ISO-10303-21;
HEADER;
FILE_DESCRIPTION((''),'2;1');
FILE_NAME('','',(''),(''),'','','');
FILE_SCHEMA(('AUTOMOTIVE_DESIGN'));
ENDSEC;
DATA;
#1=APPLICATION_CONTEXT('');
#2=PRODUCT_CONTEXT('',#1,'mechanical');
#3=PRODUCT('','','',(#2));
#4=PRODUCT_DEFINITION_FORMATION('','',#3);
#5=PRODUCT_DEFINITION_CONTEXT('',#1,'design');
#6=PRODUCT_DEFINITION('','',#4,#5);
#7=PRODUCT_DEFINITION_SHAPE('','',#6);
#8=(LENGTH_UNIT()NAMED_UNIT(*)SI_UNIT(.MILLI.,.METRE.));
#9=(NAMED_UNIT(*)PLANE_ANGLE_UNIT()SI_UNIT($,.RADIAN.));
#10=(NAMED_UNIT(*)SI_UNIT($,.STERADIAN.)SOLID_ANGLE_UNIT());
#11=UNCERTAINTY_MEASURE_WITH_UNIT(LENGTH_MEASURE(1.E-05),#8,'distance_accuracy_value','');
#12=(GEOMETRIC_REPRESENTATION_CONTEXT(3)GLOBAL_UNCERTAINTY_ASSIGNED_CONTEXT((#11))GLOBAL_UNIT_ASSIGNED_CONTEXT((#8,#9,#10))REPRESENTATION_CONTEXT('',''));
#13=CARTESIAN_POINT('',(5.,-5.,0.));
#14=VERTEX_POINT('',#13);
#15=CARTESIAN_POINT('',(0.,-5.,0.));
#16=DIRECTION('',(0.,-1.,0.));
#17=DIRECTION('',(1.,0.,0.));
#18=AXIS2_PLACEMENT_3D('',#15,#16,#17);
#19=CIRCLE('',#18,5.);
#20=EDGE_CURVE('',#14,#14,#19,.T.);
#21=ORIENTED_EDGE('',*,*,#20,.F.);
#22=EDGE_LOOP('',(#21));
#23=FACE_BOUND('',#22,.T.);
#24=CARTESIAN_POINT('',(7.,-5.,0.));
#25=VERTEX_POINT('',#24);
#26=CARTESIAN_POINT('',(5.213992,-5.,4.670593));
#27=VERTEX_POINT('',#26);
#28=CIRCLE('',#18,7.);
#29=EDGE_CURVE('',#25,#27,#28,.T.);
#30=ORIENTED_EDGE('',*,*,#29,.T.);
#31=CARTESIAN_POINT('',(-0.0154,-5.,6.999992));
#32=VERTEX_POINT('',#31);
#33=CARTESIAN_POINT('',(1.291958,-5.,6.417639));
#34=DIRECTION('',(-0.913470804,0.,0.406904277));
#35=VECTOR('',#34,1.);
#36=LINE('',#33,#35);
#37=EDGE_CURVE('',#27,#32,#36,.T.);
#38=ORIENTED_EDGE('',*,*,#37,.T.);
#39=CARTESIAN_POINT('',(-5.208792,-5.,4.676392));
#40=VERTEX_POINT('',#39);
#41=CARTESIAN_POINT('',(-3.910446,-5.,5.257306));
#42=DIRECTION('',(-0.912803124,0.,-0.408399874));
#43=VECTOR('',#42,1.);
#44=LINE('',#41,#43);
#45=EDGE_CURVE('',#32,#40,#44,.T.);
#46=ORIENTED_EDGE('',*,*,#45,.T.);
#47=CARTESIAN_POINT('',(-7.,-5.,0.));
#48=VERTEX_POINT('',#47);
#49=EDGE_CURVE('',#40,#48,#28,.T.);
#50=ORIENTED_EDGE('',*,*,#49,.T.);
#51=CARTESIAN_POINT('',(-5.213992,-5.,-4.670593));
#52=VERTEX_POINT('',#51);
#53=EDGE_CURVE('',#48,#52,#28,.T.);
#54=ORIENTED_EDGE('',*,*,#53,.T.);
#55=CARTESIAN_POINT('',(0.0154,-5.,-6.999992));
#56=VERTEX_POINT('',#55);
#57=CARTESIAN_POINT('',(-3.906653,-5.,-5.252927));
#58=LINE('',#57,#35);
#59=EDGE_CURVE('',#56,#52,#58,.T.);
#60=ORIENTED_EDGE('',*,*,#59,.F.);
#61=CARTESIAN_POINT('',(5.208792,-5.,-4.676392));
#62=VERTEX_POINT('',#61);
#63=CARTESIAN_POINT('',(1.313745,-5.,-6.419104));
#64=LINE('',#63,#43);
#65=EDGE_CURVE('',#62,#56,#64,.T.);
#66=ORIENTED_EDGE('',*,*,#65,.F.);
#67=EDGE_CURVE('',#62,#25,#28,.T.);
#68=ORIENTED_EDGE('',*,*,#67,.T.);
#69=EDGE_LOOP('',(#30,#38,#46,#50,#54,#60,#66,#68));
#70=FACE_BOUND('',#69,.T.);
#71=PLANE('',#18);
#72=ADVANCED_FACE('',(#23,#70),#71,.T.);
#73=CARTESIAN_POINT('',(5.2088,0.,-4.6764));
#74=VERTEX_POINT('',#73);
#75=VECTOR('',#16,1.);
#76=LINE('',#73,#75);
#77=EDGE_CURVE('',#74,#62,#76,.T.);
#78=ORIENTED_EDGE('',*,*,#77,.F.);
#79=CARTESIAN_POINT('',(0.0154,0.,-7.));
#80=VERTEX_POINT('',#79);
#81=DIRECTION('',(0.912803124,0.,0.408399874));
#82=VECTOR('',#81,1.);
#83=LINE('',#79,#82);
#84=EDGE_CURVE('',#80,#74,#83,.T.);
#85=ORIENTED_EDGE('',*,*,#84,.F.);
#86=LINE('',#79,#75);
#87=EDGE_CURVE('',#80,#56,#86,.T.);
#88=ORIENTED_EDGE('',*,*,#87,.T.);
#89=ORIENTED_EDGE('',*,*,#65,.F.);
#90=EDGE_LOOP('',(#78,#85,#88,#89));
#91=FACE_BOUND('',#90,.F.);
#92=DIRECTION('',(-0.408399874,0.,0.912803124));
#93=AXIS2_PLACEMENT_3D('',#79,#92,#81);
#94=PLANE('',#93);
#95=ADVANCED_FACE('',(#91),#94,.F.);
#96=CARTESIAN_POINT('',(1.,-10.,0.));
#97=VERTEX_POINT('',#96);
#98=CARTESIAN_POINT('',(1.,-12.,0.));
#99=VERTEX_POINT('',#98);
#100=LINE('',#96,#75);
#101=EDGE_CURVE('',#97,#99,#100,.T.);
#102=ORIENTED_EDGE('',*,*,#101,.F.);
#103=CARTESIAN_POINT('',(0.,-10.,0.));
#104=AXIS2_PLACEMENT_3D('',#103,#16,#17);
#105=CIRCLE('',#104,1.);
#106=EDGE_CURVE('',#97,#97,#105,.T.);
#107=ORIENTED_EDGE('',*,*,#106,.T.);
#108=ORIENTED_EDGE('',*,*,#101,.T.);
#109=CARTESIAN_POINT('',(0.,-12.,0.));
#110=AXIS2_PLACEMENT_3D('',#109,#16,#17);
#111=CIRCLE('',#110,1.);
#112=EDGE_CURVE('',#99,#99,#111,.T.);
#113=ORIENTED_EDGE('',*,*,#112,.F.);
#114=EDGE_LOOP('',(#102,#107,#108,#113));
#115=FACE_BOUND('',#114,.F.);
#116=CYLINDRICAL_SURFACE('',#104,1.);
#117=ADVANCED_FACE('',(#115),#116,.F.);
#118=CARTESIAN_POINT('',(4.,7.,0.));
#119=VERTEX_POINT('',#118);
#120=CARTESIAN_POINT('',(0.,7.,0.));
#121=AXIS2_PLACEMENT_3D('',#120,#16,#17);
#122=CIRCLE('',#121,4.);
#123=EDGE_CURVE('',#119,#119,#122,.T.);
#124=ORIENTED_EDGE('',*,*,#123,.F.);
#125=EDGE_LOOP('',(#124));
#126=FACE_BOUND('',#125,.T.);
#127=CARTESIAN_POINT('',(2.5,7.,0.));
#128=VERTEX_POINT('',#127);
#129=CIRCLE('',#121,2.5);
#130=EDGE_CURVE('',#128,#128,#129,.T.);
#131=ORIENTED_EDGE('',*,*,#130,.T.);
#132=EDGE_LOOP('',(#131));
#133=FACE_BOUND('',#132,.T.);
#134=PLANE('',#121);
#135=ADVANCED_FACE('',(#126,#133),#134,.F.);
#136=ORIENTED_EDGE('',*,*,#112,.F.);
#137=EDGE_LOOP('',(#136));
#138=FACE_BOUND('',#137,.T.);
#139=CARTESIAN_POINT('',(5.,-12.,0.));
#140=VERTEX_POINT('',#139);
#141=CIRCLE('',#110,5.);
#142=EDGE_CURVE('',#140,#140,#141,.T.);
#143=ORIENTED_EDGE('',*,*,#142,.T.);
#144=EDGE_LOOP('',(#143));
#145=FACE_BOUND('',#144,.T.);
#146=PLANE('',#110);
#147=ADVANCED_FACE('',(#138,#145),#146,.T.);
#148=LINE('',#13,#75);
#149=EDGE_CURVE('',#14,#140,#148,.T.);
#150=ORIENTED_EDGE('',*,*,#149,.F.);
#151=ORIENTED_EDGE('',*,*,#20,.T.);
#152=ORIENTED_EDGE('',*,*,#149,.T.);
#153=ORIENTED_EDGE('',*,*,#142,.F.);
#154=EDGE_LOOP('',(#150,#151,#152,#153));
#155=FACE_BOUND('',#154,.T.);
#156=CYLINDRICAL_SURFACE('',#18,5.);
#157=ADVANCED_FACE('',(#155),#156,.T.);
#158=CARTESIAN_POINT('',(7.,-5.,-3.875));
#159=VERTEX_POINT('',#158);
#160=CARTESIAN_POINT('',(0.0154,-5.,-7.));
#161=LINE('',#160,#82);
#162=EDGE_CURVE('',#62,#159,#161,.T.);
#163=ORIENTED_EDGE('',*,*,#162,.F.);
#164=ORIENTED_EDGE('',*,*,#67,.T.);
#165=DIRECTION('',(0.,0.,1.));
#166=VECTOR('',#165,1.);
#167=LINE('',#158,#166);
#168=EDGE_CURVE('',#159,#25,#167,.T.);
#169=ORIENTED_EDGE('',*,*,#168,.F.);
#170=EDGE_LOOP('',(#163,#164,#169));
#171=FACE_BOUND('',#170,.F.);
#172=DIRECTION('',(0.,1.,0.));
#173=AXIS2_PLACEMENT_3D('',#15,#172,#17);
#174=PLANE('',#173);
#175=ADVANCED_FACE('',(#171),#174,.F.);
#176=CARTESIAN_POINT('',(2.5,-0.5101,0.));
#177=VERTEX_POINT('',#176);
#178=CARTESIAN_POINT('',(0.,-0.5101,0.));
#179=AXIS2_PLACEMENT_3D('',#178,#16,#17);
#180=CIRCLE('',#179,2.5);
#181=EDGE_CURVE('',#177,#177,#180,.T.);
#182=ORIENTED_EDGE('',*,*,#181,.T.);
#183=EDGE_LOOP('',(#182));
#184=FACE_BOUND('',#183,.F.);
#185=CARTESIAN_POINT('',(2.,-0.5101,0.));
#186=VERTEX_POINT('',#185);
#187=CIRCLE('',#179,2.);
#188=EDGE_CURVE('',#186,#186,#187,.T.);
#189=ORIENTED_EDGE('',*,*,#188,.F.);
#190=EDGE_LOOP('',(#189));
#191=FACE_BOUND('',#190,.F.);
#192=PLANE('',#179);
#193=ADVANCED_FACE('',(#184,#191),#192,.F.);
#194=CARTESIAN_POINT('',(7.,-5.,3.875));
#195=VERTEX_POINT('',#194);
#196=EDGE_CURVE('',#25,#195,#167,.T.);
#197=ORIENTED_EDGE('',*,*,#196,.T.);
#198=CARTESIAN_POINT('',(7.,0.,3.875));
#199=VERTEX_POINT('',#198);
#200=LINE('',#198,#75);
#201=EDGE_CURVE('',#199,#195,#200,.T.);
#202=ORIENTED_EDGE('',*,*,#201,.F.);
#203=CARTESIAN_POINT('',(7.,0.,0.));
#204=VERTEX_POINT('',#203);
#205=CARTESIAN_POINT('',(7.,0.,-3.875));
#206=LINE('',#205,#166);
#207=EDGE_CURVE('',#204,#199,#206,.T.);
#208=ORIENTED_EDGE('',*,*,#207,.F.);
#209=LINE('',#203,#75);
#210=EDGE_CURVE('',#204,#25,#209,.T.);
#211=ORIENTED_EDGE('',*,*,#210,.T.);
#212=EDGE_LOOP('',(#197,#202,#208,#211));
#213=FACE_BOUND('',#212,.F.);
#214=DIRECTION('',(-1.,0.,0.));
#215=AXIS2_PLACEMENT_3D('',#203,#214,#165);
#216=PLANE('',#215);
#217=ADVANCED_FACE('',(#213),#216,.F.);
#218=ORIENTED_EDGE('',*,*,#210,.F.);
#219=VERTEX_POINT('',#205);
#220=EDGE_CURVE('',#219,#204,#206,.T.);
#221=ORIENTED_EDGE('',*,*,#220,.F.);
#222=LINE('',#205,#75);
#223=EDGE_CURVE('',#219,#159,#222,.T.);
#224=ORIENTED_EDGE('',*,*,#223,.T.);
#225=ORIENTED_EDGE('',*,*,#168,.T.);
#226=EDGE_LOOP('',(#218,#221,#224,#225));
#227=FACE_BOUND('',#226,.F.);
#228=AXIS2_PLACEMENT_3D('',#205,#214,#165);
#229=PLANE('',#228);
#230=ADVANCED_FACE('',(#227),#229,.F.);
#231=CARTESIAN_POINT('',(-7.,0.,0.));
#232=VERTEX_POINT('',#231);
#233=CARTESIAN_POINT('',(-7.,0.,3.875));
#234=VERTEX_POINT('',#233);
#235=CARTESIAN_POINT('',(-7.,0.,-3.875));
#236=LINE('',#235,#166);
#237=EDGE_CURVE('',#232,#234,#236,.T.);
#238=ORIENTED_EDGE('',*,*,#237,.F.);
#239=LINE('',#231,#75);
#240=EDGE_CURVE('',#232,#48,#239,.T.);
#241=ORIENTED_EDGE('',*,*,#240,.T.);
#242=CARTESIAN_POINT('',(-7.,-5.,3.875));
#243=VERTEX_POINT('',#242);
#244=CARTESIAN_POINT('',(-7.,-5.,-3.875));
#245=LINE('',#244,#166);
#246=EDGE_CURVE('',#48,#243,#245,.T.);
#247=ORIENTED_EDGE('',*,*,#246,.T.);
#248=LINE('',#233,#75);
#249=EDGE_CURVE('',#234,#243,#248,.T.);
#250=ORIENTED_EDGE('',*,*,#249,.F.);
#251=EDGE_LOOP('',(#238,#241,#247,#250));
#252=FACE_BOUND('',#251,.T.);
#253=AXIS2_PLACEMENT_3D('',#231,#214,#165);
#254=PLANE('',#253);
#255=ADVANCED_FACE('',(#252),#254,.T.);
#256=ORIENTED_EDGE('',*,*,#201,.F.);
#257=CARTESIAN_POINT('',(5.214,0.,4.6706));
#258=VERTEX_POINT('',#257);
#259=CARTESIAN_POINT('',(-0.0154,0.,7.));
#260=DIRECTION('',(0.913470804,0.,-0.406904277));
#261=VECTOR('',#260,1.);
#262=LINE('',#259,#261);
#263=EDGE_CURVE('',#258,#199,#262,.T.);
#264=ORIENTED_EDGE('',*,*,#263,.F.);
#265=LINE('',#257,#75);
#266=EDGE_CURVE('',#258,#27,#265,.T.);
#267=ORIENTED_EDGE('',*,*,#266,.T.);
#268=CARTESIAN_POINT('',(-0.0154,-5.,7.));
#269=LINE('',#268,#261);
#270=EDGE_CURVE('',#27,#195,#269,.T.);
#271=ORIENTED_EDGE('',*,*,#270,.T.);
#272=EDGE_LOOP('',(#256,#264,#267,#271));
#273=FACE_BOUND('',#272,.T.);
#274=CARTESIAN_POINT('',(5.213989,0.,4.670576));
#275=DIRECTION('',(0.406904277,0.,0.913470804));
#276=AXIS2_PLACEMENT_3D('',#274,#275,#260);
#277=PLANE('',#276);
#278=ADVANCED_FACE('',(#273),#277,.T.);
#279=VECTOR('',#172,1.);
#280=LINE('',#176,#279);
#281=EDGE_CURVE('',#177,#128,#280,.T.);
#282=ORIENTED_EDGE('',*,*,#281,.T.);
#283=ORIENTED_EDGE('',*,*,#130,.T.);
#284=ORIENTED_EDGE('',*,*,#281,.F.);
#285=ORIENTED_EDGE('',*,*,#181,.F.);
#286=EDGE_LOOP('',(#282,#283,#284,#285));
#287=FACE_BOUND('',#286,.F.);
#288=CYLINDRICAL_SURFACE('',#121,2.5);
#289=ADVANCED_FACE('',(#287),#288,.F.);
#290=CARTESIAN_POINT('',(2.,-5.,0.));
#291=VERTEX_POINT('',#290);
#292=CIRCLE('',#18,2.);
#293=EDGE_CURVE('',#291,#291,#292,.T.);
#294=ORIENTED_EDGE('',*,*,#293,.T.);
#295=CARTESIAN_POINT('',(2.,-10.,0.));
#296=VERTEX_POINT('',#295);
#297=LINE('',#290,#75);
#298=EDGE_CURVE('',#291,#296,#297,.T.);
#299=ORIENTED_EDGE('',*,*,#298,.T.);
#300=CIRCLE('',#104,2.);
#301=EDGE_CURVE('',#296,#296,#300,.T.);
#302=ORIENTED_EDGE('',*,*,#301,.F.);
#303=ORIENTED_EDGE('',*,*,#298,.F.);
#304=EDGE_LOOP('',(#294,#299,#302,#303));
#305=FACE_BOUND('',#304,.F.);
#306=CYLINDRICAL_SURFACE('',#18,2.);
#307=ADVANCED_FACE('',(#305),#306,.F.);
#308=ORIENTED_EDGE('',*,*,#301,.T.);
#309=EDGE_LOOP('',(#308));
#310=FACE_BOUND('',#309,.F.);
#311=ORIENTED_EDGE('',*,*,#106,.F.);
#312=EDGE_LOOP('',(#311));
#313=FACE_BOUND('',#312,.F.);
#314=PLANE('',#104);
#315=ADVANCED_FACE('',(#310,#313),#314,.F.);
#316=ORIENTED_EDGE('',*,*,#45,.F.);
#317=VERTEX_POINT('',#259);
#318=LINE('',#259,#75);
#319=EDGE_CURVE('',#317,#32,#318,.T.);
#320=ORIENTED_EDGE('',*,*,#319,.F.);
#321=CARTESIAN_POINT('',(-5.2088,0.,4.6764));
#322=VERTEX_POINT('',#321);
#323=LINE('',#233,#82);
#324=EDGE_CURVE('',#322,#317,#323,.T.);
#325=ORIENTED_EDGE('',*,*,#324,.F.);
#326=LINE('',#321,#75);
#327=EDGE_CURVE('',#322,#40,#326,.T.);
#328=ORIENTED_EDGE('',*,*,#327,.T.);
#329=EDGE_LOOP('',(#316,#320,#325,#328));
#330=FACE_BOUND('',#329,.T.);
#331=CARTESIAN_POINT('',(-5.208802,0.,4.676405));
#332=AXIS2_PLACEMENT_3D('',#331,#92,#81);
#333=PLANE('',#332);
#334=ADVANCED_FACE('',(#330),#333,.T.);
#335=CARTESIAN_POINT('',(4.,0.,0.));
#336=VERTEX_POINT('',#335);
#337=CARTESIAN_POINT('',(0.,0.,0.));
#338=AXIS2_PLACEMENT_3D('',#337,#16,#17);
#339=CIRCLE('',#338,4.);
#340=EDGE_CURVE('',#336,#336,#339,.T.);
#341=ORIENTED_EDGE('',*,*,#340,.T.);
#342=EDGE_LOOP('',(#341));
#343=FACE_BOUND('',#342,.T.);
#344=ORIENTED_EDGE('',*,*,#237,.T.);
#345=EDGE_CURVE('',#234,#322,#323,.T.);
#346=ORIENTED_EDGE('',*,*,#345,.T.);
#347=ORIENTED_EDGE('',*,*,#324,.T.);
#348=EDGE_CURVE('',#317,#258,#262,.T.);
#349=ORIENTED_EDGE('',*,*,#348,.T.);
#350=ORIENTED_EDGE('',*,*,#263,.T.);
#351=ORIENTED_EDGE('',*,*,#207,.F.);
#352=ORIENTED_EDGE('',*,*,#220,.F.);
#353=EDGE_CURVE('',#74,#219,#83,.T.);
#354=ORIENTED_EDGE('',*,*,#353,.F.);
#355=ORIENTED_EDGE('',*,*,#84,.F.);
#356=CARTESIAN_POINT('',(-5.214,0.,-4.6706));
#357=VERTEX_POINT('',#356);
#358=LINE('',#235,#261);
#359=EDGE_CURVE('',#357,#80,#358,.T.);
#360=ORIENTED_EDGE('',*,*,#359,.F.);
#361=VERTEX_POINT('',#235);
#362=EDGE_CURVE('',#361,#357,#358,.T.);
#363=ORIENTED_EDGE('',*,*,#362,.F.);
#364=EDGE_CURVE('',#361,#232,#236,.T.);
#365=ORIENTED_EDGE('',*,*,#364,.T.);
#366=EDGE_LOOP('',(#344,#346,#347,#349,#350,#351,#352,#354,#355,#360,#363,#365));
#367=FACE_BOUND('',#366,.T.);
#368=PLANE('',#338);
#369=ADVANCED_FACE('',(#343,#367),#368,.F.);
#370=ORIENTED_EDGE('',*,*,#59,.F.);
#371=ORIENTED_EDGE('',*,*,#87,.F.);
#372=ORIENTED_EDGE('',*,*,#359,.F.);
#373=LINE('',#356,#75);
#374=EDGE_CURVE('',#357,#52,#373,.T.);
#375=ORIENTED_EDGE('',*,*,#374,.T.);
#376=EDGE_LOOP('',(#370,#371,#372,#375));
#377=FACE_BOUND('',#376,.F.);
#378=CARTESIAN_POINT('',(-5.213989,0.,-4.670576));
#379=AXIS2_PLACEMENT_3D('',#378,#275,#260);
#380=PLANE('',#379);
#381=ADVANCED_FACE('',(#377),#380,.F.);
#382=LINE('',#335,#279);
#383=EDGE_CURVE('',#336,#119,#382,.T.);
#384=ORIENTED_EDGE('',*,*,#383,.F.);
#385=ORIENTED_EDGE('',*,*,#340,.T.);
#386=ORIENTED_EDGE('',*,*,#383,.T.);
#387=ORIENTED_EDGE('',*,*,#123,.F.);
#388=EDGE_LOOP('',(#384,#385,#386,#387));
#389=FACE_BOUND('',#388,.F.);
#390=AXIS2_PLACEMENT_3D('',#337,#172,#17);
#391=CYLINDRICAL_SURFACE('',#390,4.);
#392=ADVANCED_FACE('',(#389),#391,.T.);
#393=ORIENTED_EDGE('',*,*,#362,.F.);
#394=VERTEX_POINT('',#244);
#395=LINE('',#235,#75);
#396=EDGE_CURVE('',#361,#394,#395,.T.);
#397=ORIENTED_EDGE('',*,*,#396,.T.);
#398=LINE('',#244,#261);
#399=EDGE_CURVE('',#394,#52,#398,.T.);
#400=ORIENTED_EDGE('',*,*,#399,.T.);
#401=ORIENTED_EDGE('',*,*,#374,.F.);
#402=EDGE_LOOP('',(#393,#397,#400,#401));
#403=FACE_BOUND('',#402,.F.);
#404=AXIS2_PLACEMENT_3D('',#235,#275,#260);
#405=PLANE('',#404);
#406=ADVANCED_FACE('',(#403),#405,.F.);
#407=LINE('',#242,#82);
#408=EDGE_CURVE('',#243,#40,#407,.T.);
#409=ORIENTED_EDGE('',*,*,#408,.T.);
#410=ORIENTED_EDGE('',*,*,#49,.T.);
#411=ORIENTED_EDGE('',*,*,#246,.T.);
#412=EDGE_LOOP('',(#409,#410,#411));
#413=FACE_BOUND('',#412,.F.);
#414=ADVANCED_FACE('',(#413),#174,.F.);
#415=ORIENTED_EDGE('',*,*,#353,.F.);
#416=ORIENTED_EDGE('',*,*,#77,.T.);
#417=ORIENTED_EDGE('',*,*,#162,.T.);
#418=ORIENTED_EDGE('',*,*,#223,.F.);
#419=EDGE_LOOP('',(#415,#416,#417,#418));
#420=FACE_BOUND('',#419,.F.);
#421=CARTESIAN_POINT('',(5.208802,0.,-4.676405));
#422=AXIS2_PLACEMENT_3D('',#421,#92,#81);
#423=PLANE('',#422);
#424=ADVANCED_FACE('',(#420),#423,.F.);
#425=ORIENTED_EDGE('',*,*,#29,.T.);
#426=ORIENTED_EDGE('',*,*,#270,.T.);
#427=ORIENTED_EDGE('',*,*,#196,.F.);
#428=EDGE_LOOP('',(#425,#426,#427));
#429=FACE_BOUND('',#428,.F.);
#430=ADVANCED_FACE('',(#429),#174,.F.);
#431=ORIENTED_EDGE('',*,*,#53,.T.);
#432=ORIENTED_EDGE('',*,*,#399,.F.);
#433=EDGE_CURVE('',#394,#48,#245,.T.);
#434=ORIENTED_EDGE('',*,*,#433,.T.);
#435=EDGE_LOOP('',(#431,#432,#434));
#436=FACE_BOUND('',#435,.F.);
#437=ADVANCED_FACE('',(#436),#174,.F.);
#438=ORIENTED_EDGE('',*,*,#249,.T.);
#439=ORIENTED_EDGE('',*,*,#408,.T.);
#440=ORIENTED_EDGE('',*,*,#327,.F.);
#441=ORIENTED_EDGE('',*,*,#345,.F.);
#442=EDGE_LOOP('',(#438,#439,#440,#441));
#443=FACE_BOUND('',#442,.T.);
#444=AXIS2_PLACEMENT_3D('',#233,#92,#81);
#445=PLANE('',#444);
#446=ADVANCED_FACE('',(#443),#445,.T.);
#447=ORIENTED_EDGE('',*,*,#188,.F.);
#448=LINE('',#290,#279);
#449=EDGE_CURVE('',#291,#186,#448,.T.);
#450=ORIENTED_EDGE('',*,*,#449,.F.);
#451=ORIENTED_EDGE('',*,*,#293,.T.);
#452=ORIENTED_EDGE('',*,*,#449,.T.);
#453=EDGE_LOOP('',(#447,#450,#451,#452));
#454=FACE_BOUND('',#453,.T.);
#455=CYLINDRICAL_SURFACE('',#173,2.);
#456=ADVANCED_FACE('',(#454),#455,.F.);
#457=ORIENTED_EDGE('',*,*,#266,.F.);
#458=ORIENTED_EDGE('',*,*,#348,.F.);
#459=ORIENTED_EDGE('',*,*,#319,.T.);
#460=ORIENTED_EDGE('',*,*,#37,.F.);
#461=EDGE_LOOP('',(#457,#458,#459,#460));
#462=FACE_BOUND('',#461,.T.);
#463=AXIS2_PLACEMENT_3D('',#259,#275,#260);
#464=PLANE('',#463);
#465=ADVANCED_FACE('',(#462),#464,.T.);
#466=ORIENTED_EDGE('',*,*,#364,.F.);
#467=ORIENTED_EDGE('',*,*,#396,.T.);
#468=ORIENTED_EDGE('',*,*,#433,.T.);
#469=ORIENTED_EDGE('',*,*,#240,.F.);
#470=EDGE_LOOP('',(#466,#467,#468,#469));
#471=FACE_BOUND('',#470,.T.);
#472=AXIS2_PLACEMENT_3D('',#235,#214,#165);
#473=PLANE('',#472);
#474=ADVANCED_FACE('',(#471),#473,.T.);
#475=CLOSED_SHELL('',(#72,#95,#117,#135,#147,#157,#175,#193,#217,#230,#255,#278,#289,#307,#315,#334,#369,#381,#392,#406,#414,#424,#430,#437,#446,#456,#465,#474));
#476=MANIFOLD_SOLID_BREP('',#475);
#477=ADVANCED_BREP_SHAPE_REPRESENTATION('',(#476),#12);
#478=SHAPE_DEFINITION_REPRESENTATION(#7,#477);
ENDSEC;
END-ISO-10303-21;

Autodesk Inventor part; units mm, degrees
ref_plane "YZ Plane" through (0, 0, 0) normal (1, 0, 0) x (0, 1, 0)
ref_plane "XZ Plane" through (0, 0, 0) normal (0, 1, 0) x (-1, 0, 0)
ref_plane "XY Plane" through (0, 0, 0) normal (0, 0, 1) x (1, 0, 0)
sketch "Boceto1" plane through (0, 0, 0) normal (0, 0, 1) x (1, 0, 0)
  line L0 (0, 9.3809) -> (0, -9.3809)
  line L1 (-19.2892, 0) -> (19.2892, 0) construction
  line L2 (0, 7) -> (4, 7)
  line L3 (4, 0) -> (4, 7)
  line L4 (4, 0) -> (7, 0)
  line L5 (7, 0) -> (7, -5)
  line L6 (7, -5) -> (0, -5)
  line L7 (5, -5) -> (5, -12)
  line L8 (5, -12) -> (0, -12)
  line L9 (2.5, 7) -> (2.5, 0)
  line L10 (2, -5) -> (2, -10)
  line L11 (2.5, 0) -> (2.5, -0.5101)
  line L12 (2.5, -0.5101) -> (2, -0.5101)
  line L13 (2, -5) -> (2, -0.5101)
  line L14 (2, -10) -> (1, -10)
  line L15 (1, -10) -> (1, -12)
  point P0 (0, 0)
  point P1 (0, 0)
  dimension "d0" = 14
  dimension "d1" = 10
  dimension "d2" = 8
  dimension "d3" = 5
  dimension "d4" = 4
  dimension "d5" = 2
  dimension "d6" = 2
  dimension "d7" = 7
  dimension "d8" = 5
  dimension "d9" = 7
revolve "Revolución1" add sketch "Boceto1" angle 360 about axis through (0, 9.3809, 0) along (0, -1, 0) contours L2 L3 L4 L5 L6 L13 L12 L11 L9 | L6 L7 L8 L15 L14 L10
sketch "Boceto2" plane through (0, 0, 0) normal (0, 1, 0) x (1, 0, 0)
  circle A0 centre (0, 0) radius 2.5 projected
  circle A1 centre (0, 0) radius 4 projected
  circle A2 centre (0, 0) radius 4 projected
  circle A3 centre (0, 0) radius 7 projected
  line L0 (7, 3.875) -> (7, -3.875)
  line L1 (-7, 3.875) -> (-7, -3.875)
  circle A4 centre (0, 0) radius 7 projected
  line L2 (-7, 3.875) -> (0.0154, 7)
  line L3 (0.0154, 7) -> (7, 3.875)
  line L4 (-7, -3.875) -> (-0.0154, -7)
  line L5 (-0.0154, -7) -> (7, -3.875)
  arc A5 (0.0154, 7) -> (-5.214, 4.6706) centre (0, 0) ccw
  circle A6 centre (0, 0) radius 7 projected
  arc A7 (5.2088, 4.6764) -> (0.0154, 7) centre (0, 0) ccw
  arc A8 (-0.0154, -7) -> (5.214, -4.6706) centre (0, 0) ccw
  arc A9 (-5.2088, -4.6764) -> (-0.0154, -7) centre (0, 0) ccw
  point P0 (0, 0)
  point P1 (7, 0)
  point P2 (-7, 0)
  point P3 (-0.0154, -7)
  point P4 (-0.0154, -7)
  point P5 (-5.2088, -4.6764)
  point P6 (5.214, -4.6706)
  point P7 (5.2088, 4.6764)
  point P8 (-5.214, 4.6706)
  dimension "d15" = 14
  dimension "d27" = 7.75
  dimension "d28" = 14
  dimension "d29" = 14
  dimension "d30" = 7.75
  dimension "d51" = 7
  dimension "d52" = 1.786
  dimension "d53" = 1.7913
  dimension "d54" = 7.0154
  dimension "d55" = 7.0154
  dimension "d56" = 12.7918
  dimension "d57" = 12.2088
  dimension "d58" = 12.7918
  dimension "d59" = 12.214
  dimension "d60" = 4.2619
  dimension "d61" = 7
  dimension "d62" = 7
  dimension "d63" = 7
extrude "Extrusión1" cut sketch "Boceto2" against normal through all contours L3 A3 | A3 L5 | L2 A3 | A3 L4
extrude "Extrusión2" add sketch "Boceto2" against normal blind 5 contours L0 L5 A3 | A3 L3 L0 | A3 L1 L2 | L4 L1 A3
thread "Rosca2" size "M10x1.5" class "6g" standard "ANSI Metric M Profile" length 7
thread "Rosca3" size "M8x0.75" class "6g" standard "ANSI Metric M Profile" length 7
equation "\"d30\" = d27"
properties part number "1-HUDSON-8-29-TDR HAND PUMP BODY TOP OUTLET"
